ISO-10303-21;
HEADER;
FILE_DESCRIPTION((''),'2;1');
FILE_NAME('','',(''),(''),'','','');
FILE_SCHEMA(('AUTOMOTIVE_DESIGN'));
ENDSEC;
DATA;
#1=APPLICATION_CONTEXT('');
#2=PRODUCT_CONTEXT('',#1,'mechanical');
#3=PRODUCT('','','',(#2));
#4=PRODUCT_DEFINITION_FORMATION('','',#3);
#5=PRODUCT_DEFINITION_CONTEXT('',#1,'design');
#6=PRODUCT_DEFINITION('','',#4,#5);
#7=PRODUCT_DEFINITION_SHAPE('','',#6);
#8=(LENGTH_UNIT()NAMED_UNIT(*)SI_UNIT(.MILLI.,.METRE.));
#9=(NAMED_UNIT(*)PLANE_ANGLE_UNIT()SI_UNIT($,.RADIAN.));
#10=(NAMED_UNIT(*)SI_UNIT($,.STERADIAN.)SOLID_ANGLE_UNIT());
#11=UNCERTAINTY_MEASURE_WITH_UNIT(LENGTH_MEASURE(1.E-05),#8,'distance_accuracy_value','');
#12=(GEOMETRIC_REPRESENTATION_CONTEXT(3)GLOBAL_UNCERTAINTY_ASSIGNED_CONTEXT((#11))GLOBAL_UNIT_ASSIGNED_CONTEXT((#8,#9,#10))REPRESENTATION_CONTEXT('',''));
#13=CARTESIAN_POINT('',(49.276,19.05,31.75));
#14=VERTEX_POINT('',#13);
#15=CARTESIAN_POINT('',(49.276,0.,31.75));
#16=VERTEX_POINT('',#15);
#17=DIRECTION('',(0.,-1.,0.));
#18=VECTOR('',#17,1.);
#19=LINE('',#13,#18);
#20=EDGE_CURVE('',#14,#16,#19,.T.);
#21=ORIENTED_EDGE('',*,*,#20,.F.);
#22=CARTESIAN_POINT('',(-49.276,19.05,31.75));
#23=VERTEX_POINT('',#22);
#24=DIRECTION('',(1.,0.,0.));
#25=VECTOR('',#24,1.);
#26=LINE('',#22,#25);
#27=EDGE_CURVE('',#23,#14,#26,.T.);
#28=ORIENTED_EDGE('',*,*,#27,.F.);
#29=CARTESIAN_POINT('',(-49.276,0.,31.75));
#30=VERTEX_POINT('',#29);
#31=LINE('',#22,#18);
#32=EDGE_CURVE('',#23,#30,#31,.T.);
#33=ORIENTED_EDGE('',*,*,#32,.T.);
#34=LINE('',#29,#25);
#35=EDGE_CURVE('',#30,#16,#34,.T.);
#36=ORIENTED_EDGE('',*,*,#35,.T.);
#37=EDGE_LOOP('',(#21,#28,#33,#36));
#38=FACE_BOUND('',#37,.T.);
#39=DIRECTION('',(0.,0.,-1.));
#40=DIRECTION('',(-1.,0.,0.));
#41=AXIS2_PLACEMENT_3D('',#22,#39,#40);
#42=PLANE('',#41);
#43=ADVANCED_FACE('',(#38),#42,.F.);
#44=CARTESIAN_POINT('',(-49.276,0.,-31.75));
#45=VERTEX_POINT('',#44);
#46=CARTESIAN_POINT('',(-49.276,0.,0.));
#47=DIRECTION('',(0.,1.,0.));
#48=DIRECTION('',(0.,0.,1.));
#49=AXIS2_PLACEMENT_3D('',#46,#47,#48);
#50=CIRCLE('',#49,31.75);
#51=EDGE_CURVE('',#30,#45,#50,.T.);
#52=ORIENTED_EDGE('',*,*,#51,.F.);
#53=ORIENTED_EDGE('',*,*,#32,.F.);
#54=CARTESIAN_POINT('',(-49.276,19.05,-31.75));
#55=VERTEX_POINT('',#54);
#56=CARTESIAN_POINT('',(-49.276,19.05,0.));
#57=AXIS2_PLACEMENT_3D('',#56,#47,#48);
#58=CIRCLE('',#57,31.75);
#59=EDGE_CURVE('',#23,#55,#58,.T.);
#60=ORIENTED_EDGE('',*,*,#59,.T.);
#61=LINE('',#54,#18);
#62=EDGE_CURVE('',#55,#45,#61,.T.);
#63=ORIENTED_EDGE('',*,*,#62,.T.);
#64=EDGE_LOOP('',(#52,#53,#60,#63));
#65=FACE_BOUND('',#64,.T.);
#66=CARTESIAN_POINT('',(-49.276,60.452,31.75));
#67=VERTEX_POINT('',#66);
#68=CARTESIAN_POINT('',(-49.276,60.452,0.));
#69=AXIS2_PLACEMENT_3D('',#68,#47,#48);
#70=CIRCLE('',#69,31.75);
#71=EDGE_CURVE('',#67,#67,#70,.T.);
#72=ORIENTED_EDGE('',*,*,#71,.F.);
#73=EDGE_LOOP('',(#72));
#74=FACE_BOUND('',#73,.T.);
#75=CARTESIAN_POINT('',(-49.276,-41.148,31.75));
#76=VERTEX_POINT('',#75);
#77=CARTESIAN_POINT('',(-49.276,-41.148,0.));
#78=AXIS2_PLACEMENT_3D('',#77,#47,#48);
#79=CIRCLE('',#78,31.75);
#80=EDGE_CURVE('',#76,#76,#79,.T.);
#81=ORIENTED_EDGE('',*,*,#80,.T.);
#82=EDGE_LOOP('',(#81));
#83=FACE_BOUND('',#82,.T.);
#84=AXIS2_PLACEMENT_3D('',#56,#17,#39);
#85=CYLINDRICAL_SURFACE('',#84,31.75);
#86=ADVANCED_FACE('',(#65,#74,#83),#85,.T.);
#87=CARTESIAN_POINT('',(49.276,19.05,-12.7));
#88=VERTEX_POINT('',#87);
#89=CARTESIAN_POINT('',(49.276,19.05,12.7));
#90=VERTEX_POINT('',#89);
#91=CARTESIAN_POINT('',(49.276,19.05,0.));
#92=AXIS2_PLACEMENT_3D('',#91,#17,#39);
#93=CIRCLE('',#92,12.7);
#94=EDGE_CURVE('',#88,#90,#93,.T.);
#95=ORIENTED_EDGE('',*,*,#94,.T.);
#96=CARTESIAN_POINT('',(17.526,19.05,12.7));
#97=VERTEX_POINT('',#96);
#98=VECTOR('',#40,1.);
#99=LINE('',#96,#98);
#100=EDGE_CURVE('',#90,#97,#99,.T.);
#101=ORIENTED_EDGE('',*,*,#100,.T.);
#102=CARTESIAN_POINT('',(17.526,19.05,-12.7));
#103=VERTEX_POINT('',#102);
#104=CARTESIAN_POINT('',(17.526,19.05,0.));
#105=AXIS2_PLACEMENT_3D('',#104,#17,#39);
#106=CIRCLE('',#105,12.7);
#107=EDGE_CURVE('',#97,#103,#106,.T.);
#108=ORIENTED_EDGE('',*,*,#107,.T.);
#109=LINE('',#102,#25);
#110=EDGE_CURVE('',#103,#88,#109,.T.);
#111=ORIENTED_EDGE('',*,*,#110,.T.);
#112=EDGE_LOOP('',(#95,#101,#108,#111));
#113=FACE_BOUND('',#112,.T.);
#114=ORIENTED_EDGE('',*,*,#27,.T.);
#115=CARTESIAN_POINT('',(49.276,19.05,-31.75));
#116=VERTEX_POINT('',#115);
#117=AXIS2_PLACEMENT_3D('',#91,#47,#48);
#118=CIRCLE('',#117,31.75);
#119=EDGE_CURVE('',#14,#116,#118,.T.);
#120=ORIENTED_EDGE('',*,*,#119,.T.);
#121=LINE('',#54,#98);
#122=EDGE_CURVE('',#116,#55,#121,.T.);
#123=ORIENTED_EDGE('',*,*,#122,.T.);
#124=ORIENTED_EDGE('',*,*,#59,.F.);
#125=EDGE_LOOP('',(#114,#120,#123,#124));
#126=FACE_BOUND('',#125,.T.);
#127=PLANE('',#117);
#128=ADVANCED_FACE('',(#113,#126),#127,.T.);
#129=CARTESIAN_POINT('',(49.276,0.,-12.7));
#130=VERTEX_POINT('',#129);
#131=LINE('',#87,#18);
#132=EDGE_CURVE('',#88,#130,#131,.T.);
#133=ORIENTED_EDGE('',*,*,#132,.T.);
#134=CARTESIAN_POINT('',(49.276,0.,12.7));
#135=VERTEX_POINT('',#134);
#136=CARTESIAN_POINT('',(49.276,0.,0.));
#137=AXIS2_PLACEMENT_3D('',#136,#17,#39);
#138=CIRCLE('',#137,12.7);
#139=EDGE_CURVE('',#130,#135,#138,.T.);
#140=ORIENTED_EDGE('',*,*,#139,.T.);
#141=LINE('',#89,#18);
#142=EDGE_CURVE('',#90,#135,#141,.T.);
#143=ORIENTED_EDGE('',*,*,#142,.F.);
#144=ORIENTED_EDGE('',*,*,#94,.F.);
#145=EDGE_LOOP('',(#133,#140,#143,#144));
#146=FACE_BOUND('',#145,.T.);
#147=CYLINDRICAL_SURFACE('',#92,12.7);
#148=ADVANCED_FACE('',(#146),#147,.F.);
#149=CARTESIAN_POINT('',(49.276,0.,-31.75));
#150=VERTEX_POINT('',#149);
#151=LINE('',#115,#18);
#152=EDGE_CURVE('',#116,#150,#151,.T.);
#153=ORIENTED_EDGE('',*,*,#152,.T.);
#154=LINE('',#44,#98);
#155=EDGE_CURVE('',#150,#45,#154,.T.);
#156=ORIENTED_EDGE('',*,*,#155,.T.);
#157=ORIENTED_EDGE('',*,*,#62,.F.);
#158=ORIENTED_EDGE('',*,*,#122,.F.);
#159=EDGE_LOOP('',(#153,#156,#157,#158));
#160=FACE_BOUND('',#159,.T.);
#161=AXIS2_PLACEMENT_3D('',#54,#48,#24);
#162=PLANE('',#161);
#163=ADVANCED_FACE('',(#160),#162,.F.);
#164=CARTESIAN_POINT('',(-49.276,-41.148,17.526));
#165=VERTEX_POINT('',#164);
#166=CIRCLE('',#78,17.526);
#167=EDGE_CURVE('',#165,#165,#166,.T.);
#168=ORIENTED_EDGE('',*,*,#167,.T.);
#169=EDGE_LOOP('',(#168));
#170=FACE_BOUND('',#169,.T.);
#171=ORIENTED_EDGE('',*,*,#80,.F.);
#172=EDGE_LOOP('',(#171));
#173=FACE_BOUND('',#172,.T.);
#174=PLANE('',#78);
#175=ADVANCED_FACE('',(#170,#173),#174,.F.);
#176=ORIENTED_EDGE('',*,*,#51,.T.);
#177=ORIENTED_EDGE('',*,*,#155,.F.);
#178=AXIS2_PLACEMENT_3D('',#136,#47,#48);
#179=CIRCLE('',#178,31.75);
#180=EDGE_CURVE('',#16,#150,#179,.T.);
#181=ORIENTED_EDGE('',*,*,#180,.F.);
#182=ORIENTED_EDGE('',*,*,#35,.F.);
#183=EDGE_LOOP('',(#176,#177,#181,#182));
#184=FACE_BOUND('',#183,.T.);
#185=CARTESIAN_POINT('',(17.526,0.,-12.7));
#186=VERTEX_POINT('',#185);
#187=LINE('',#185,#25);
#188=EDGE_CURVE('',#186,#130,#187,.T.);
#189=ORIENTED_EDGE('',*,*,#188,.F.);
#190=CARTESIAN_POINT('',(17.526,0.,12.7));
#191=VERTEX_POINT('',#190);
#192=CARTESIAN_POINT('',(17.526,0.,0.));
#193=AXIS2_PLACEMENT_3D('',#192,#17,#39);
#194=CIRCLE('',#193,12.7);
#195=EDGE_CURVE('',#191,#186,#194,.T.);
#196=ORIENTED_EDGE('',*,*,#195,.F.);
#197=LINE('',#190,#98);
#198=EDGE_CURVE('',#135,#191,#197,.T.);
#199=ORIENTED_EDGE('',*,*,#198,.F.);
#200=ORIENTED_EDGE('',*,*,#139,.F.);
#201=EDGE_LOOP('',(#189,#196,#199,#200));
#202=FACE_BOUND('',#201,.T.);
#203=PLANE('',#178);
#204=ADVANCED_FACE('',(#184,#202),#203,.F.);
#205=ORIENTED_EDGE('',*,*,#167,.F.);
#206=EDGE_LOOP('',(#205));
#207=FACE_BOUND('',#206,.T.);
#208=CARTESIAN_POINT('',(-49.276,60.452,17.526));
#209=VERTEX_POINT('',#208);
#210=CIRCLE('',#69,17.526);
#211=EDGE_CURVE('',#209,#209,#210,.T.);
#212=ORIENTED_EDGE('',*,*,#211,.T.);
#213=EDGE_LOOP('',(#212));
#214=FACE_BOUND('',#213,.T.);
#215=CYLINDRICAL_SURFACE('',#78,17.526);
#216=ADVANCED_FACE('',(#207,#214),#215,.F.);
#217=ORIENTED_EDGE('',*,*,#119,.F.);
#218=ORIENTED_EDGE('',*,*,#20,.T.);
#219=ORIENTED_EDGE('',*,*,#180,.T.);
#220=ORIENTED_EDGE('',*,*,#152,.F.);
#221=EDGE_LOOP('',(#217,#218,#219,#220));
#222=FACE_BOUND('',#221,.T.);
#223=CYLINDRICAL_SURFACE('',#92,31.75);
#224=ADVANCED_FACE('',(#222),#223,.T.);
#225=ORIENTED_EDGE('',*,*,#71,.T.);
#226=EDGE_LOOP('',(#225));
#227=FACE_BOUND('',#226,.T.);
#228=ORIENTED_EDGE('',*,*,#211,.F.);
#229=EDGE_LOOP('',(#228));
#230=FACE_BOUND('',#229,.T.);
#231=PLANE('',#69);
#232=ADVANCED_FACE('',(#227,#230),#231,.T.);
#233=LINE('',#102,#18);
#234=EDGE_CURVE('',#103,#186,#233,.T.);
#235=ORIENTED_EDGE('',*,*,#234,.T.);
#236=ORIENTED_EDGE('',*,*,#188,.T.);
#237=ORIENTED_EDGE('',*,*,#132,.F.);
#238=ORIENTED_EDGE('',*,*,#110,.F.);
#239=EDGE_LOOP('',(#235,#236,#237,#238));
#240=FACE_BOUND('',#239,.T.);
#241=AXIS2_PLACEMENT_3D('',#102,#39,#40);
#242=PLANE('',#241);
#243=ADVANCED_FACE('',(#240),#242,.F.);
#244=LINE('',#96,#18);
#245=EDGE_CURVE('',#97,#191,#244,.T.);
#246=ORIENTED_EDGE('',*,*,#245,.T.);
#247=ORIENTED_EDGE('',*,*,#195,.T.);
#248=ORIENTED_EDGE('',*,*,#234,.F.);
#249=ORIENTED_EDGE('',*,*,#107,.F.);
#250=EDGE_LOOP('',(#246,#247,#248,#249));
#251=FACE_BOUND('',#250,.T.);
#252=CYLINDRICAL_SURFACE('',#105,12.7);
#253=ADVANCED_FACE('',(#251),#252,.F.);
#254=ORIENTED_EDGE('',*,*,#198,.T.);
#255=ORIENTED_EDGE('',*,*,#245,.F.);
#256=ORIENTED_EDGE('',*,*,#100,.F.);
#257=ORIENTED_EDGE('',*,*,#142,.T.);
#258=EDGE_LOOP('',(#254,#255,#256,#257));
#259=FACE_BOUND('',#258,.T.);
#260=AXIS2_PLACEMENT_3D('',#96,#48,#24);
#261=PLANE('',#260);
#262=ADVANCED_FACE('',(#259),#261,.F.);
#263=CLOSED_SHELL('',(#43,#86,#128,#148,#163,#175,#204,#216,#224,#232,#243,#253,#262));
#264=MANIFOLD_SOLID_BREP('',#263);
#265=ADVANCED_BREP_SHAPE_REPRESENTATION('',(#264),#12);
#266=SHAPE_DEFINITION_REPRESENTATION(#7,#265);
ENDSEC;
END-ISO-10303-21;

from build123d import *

# Parameters (mm, degrees)
BOSS_EXTRUDE1_DEPTH      = 19.05
CUT_EXTRUDE3_DEPTH       = 20.05
SKETCH3_R                = 31.75
BOSS_EXTRUDE2_DEPTH      = 41.402
BOSS_EXTRUDE2_DEPTH_BACK = 60.198
SKETCH4_R                = 17.526
CUT_EXTRUDE2_DEPTH       = 102.6


with BuildPart() as part:
    # Sketch1 → Boss-Extrude1 (new body)
    with BuildSketch(Plane(origin=(0, 0, 0), x_dir=(1, 0, 0), z_dir=(0, 1, 0))):
        with BuildLine():
            Line((-49.276, 31.75), (49.276, 31.75))
            ThreePointArc((49.276, 31.75), (81.026, 0), (49.276, -31.75))
            Line((49.276, -31.75), (-49.276, -31.75))
            ThreePointArc((-49.276, -31.75), (-81.026, 0), (-49.276, 31.75))
        make_face()
    extrude(amount=BOSS_EXTRUDE1_DEPTH)

    # Sketch5 → Cut-Extrude3 (cut, through all)
    with BuildSketch(Plane.XZ):
        with BuildLine():
            Line((17.526, 12.7), (49.276, 12.7))
            ThreePointArc((49.276, 12.7), (61.976, 0), (49.276, -12.7))
            Line((49.276, -12.7), (17.526, -12.7))
            ThreePointArc((17.526, -12.7), (4.826, 0), (17.526, 12.7))
        make_face()
    extrude(amount=-CUT_EXTRUDE3_DEPTH, mode=Mode.SUBTRACT)

    # Sketch3 → Boss-Extrude2 (add, two sides)
    with BuildSketch(Plane(origin=(0, 19.05, 0), x_dir=(1, 0, 0), z_dir=(0, 1, 0))) as boss_extrude2_sk:
        with Locations(Location((-49.276, 0, 0), (0, 0, 270))):  # turned: the seam where the file's is
            Circle(SKETCH3_R)
    extrude(amount=BOSS_EXTRUDE2_DEPTH)
    extrude(boss_extrude2_sk.sketch, amount=-BOSS_EXTRUDE2_DEPTH_BACK)

    # Sketch4 → Cut-Extrude2 (cut, through all)
    with BuildSketch(Plane(origin=(0, 60.452, 0), x_dir=(1, 0, 0), z_dir=(0, 1, 0))):
        with Locations(Location((-49.276, 0, 0), (0, 0, 270))):  # turned: the seam where the file's is
            Circle(SKETCH4_R)
    extrude(amount=-CUT_EXTRUDE2_DEPTH, mode=Mode.SUBTRACT)


solid = part.part
